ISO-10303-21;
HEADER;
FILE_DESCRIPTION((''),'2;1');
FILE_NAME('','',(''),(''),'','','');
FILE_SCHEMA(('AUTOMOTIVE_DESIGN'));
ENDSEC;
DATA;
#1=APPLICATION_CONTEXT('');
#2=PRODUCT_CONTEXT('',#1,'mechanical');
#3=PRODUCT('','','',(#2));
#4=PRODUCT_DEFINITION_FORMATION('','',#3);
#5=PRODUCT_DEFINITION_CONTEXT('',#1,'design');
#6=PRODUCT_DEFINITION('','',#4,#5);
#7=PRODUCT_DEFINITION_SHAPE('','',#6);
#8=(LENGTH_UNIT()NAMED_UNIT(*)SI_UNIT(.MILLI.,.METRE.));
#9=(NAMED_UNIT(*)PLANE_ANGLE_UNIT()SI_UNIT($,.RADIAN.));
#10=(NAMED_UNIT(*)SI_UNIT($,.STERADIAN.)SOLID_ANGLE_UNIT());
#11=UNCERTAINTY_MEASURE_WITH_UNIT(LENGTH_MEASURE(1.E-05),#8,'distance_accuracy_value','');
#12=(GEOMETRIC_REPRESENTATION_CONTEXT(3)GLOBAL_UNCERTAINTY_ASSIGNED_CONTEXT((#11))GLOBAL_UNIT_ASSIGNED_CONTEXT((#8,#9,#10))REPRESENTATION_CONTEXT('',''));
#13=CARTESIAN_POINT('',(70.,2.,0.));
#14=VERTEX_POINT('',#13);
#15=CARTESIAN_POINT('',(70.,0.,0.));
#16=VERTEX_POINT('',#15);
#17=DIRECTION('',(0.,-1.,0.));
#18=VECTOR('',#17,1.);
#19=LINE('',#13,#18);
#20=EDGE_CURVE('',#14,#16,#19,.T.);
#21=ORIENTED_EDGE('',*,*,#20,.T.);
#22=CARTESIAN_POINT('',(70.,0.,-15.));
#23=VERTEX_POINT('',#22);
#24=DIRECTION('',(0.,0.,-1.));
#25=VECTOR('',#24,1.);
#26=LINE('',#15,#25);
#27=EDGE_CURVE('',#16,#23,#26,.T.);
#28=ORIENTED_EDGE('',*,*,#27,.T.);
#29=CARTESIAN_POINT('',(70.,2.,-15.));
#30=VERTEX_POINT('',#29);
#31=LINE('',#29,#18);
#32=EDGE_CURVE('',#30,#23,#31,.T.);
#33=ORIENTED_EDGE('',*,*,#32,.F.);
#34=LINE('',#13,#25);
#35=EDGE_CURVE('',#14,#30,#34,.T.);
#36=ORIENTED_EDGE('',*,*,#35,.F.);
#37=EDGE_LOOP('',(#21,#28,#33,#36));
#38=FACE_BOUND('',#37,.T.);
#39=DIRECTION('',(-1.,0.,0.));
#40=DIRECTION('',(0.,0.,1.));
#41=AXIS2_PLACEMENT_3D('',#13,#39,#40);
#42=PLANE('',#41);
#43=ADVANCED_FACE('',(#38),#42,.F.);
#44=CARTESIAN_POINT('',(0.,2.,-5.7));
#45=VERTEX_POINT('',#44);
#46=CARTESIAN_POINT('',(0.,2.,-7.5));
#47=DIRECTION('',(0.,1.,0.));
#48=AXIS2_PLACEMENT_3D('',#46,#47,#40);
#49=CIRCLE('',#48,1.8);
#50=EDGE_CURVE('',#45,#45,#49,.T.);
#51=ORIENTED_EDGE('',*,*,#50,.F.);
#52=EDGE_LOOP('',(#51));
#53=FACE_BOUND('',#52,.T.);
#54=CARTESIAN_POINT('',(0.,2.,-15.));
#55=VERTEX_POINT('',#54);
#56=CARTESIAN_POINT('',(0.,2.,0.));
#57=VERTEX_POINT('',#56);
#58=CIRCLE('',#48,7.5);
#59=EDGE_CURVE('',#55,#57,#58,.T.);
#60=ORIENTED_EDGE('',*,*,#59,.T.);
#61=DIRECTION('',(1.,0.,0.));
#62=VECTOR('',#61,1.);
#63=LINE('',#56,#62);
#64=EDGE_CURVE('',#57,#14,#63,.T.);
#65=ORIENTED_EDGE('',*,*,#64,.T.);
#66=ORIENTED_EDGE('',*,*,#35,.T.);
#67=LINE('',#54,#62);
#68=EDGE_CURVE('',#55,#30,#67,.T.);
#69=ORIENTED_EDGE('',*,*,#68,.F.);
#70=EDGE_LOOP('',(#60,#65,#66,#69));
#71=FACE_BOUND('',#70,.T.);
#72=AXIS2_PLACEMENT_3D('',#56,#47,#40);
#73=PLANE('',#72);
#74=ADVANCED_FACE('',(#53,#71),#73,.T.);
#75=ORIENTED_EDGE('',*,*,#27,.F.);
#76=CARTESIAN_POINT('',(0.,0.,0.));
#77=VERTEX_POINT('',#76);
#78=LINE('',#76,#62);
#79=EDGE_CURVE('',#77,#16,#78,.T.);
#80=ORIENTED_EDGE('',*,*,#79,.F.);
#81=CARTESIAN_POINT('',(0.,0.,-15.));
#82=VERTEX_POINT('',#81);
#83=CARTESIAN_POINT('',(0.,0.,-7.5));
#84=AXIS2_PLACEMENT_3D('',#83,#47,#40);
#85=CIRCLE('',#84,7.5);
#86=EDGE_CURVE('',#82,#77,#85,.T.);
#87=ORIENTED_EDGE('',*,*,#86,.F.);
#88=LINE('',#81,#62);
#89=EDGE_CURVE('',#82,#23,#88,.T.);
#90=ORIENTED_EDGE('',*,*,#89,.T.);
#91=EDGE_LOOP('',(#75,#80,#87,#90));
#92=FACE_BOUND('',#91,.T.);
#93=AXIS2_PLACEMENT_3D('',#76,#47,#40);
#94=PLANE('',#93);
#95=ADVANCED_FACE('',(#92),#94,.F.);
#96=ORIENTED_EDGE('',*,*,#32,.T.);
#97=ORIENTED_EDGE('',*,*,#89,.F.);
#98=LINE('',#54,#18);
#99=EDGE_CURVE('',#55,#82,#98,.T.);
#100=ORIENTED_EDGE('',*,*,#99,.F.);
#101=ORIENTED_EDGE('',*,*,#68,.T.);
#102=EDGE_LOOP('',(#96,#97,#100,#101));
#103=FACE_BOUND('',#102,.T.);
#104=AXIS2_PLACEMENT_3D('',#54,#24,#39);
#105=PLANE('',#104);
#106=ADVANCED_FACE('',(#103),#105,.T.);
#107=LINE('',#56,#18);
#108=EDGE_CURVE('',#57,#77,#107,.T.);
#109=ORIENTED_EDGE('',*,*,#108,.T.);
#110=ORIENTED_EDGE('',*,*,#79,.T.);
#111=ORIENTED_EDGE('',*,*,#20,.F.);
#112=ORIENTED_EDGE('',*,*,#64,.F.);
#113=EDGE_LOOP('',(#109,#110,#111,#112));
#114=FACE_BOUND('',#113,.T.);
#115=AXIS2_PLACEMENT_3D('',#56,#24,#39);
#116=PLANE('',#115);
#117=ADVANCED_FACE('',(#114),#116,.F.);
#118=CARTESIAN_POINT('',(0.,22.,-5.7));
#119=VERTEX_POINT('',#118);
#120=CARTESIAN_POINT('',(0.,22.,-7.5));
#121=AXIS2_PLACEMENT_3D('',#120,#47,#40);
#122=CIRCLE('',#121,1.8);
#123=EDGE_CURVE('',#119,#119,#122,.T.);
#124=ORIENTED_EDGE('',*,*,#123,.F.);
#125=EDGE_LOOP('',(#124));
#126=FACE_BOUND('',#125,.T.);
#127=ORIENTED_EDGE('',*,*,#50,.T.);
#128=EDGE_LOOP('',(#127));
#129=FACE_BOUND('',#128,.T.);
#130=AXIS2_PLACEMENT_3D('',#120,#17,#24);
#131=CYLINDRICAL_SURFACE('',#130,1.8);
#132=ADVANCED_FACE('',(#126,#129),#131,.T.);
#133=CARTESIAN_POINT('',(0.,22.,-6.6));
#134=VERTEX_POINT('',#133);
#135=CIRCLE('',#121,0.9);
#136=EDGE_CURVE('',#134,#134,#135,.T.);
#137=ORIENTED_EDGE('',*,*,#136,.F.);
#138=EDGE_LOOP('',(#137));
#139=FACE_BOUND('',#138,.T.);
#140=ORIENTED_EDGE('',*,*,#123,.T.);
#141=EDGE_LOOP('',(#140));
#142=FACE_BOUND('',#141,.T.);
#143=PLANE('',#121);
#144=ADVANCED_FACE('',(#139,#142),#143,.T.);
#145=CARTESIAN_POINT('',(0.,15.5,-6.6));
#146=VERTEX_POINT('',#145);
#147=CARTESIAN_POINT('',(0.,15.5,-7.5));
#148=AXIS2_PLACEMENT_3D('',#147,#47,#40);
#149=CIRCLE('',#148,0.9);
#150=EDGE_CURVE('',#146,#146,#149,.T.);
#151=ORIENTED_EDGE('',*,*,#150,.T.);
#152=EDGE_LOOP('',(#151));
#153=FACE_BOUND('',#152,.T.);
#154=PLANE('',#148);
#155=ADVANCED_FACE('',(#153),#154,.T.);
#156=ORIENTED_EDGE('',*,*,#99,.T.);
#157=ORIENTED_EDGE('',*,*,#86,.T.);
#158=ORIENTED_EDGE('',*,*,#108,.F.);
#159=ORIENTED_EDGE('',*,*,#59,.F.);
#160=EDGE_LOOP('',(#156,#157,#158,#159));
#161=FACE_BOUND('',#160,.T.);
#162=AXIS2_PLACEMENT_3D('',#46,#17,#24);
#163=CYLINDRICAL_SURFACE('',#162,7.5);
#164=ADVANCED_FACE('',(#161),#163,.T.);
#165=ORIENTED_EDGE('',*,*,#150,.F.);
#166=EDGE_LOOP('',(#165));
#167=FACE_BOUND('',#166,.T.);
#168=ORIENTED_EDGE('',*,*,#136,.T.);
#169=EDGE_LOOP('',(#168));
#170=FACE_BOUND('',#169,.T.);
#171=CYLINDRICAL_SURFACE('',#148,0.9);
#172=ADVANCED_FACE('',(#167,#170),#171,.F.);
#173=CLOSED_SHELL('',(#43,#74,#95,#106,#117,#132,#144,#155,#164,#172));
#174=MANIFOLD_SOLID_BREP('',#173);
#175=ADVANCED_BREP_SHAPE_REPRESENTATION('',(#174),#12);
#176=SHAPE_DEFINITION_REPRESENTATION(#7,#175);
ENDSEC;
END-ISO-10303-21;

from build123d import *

# Parameters (mm, degrees)
SKETCH1_W           = 70
SKETCH1_H           = 15
BOSS_EXTRUDE1_DEPTH = 2
BOSS_EXTRUDE2_START = -2
SKETCH2_R           = 7.5
BOSS_EXTRUDE2_DEPTH = 2
SKETCH3_R           = 1.8
BOSS_EXTRUDE3_DEPTH = 20
SKETCH6_R           = 0.9
CUT_EXTRUDE1_DEPTH  = 6.5


with BuildPart() as part:
    # Sketch1 → Boss-Extrude1 (new body)
    with BuildSketch(Plane(origin=(0, 0, 0), x_dir=(1, 0, 0), z_dir=(0, 1, 0))):
        with Locations((35, 7.5)):
            Rectangle(SKETCH1_W, SKETCH1_H)
    extrude(amount=BOSS_EXTRUDE1_DEPTH)

    # Sketch2 → Boss-Extrude2 (add)
    with BuildSketch(Plane(origin=(0, 2, 0), x_dir=(1, 0, 0), z_dir=(0, 1, 0)).offset(BOSS_EXTRUDE2_START)):
        with Locations((0, 7.5)):
            Circle(SKETCH2_R)
    extrude(amount=BOSS_EXTRUDE2_DEPTH)

    # Sketch3 → Boss-Extrude3 (add)
    with BuildSketch(Plane(origin=(0, 2, 0), x_dir=(1, 0, 0), z_dir=(0, 1, 0))):
        with Locations((0, 7.5)):
            Circle(SKETCH3_R)
    extrude(amount=BOSS_EXTRUDE3_DEPTH)

    # Sketch6 → Cut-Extrude1 (cut)
    with BuildSketch(Plane(origin=(0, 22, 0), x_dir=(1, 0, 0), z_dir=(0, 1, 0))):
        with Locations((0, 7.5)):
            Circle(SKETCH6_R)
    extrude(amount=-CUT_EXTRUDE1_DEPTH, mode=Mode.SUBTRACT)


solid = part.part
